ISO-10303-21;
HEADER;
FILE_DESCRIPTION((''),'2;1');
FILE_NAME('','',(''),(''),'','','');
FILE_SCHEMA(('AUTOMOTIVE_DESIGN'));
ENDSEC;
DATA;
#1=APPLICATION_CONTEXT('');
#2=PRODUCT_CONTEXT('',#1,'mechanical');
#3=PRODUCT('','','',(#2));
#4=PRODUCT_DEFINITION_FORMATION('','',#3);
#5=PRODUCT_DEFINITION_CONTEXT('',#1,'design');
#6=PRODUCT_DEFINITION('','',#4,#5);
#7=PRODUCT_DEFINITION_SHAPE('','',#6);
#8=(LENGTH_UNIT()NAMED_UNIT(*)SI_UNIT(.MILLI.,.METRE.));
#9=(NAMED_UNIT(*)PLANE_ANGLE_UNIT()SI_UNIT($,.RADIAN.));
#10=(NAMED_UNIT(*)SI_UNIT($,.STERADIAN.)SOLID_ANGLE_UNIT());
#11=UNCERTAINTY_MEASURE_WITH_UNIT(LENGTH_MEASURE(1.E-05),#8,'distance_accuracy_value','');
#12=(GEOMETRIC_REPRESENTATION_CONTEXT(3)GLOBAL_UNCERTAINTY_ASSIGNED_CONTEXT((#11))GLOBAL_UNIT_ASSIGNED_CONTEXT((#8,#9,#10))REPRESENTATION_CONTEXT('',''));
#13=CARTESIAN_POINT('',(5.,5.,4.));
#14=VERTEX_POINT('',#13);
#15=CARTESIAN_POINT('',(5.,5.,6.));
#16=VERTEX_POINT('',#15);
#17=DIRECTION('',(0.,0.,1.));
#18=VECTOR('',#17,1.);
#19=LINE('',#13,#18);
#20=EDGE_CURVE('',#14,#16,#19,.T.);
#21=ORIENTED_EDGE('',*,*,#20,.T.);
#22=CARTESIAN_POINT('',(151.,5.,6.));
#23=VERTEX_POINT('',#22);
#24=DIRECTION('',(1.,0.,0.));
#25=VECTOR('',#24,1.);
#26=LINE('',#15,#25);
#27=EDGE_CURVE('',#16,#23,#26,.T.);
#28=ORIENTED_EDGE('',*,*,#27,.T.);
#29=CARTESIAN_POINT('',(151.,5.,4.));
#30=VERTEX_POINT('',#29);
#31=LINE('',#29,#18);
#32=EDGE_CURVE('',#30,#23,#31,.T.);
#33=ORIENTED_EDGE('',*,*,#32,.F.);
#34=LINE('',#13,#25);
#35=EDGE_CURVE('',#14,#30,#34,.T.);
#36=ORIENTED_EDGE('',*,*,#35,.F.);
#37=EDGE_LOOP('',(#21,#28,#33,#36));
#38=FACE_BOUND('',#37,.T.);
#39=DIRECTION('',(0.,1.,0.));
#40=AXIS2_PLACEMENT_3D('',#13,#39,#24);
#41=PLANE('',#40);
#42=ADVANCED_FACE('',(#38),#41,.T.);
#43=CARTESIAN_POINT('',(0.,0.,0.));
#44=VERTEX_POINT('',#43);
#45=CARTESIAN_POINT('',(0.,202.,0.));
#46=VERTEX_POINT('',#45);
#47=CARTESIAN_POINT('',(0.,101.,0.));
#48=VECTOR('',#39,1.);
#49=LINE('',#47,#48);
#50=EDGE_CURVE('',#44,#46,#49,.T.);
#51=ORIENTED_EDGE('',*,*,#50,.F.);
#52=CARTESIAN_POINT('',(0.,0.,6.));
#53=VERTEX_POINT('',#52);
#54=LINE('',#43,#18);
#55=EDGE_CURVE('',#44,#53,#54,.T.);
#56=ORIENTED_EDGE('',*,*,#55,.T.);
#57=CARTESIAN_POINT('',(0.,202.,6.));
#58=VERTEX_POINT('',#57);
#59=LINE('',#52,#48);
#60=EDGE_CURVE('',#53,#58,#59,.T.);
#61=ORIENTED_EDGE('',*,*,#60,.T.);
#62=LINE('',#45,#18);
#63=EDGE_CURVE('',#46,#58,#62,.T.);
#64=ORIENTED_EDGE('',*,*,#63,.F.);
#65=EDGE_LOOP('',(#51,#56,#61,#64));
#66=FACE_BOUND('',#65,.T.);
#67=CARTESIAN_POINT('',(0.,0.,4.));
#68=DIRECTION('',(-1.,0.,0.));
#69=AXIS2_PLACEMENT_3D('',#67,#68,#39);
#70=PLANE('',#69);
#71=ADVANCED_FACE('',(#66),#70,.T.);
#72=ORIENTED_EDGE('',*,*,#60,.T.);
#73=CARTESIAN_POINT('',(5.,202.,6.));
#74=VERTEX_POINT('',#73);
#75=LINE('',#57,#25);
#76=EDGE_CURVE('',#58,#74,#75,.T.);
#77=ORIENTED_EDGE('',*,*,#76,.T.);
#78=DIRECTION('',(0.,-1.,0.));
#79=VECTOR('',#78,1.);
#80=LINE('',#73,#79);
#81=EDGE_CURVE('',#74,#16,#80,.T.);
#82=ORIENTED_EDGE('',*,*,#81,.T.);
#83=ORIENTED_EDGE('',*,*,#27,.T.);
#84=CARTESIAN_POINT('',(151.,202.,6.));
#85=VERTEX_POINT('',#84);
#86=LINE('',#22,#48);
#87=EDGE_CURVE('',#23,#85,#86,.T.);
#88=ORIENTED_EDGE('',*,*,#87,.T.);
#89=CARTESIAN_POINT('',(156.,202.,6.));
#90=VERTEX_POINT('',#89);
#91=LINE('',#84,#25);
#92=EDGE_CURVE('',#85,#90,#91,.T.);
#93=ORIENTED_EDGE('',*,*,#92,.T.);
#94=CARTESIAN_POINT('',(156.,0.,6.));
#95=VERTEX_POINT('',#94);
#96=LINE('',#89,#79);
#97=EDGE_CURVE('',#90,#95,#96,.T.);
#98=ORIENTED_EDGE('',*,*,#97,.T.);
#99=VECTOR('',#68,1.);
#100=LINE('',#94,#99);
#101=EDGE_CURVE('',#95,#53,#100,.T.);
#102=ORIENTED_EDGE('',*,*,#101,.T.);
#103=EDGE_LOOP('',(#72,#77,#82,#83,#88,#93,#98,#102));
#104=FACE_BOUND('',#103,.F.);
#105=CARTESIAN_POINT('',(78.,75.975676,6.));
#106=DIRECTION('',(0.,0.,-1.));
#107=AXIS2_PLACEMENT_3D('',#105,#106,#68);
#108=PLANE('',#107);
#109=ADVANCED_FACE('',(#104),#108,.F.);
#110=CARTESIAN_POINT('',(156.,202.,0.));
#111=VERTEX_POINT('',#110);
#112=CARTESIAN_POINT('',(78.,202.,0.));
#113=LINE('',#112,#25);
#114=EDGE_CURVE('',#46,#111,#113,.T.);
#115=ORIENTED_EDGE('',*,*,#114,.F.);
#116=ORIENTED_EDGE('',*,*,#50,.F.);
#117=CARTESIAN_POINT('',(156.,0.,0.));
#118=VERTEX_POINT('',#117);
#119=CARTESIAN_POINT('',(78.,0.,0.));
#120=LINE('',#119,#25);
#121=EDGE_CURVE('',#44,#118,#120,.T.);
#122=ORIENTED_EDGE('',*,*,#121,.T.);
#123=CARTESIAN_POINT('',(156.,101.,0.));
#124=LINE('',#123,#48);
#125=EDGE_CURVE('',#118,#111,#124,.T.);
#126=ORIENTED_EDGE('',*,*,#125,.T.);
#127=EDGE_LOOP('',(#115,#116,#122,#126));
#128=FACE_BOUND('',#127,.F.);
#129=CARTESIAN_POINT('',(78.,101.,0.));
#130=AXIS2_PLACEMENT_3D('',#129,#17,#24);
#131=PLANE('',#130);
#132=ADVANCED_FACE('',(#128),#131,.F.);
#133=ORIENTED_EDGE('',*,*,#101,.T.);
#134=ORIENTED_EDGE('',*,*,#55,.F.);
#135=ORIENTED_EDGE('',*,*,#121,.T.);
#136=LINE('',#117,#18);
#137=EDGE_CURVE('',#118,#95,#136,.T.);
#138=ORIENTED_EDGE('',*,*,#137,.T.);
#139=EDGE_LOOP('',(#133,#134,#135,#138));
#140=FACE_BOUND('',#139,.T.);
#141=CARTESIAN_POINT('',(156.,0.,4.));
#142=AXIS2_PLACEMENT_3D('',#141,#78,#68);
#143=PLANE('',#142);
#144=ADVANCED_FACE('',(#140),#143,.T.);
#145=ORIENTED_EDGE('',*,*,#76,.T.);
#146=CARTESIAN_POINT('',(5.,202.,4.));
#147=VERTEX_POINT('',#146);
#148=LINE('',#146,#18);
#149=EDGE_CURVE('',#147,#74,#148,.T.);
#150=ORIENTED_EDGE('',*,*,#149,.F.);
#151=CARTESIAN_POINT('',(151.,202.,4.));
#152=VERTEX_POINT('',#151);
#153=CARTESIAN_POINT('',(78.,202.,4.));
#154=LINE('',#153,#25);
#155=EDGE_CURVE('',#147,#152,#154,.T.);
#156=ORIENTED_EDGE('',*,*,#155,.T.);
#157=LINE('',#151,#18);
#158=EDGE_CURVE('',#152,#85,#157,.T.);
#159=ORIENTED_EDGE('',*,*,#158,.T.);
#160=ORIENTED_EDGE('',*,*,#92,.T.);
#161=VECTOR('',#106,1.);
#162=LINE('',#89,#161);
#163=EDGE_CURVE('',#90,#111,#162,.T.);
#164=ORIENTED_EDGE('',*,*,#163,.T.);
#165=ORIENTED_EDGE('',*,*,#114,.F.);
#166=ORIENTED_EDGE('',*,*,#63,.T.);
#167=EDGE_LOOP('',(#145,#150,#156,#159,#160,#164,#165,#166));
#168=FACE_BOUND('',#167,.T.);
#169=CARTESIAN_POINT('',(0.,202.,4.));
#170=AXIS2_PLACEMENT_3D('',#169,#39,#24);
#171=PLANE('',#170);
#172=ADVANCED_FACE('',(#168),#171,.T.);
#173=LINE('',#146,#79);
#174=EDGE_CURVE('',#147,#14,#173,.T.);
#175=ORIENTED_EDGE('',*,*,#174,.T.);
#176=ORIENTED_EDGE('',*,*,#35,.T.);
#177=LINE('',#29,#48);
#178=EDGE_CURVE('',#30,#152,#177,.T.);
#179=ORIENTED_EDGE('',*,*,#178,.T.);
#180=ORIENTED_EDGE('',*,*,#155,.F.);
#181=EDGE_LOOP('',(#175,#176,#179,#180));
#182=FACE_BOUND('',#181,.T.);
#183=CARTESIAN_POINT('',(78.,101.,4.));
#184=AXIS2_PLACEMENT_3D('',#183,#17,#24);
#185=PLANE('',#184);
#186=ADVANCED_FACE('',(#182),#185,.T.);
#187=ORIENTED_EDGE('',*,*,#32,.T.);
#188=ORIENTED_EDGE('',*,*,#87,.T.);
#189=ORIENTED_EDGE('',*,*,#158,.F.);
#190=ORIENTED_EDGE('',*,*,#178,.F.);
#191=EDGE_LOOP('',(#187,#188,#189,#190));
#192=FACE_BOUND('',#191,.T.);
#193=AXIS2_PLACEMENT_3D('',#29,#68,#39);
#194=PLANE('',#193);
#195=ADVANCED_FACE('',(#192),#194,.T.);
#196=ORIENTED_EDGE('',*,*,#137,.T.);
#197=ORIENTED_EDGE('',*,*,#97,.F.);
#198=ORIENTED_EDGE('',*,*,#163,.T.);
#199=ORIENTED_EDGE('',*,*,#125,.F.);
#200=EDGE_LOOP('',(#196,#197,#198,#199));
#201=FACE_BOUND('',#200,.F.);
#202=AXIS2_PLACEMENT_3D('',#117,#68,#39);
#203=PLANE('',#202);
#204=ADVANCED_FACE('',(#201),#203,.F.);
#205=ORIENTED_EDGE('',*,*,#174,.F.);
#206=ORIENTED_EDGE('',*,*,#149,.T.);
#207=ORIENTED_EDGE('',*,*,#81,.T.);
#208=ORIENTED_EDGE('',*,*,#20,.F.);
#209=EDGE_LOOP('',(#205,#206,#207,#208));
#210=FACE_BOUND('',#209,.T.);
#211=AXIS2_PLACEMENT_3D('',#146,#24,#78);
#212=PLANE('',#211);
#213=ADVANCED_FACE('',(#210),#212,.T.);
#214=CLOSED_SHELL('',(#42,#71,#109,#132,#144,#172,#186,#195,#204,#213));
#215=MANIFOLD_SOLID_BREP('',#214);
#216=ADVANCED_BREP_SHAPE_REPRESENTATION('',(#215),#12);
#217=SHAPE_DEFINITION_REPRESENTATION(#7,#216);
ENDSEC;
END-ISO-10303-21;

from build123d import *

# Parameters (mm, degrees)
SKETCH_W     = 156
SKETCH_H     = 202
PAD_DEPTH    = 4
PAD001_DEPTH = 2


with BuildPart() as part:
    # Sketch → Pad (new body)
    with BuildSketch(Plane.XY):
        with Locations((78, 101)):
            Rectangle(SKETCH_W, SKETCH_H)
    extrude(amount=PAD_DEPTH)

    # Sketch001 → Pad001 (new body)
    with BuildSketch(Plane.XY.offset(4)):
        Polygon((0, 202), (5, 202), (5, 5), (151, 5), (151, 202), (156, 202), (156, 0), (0, 0), align=None)
    extrude(amount=PAD001_DEPTH)


solid = part.part
